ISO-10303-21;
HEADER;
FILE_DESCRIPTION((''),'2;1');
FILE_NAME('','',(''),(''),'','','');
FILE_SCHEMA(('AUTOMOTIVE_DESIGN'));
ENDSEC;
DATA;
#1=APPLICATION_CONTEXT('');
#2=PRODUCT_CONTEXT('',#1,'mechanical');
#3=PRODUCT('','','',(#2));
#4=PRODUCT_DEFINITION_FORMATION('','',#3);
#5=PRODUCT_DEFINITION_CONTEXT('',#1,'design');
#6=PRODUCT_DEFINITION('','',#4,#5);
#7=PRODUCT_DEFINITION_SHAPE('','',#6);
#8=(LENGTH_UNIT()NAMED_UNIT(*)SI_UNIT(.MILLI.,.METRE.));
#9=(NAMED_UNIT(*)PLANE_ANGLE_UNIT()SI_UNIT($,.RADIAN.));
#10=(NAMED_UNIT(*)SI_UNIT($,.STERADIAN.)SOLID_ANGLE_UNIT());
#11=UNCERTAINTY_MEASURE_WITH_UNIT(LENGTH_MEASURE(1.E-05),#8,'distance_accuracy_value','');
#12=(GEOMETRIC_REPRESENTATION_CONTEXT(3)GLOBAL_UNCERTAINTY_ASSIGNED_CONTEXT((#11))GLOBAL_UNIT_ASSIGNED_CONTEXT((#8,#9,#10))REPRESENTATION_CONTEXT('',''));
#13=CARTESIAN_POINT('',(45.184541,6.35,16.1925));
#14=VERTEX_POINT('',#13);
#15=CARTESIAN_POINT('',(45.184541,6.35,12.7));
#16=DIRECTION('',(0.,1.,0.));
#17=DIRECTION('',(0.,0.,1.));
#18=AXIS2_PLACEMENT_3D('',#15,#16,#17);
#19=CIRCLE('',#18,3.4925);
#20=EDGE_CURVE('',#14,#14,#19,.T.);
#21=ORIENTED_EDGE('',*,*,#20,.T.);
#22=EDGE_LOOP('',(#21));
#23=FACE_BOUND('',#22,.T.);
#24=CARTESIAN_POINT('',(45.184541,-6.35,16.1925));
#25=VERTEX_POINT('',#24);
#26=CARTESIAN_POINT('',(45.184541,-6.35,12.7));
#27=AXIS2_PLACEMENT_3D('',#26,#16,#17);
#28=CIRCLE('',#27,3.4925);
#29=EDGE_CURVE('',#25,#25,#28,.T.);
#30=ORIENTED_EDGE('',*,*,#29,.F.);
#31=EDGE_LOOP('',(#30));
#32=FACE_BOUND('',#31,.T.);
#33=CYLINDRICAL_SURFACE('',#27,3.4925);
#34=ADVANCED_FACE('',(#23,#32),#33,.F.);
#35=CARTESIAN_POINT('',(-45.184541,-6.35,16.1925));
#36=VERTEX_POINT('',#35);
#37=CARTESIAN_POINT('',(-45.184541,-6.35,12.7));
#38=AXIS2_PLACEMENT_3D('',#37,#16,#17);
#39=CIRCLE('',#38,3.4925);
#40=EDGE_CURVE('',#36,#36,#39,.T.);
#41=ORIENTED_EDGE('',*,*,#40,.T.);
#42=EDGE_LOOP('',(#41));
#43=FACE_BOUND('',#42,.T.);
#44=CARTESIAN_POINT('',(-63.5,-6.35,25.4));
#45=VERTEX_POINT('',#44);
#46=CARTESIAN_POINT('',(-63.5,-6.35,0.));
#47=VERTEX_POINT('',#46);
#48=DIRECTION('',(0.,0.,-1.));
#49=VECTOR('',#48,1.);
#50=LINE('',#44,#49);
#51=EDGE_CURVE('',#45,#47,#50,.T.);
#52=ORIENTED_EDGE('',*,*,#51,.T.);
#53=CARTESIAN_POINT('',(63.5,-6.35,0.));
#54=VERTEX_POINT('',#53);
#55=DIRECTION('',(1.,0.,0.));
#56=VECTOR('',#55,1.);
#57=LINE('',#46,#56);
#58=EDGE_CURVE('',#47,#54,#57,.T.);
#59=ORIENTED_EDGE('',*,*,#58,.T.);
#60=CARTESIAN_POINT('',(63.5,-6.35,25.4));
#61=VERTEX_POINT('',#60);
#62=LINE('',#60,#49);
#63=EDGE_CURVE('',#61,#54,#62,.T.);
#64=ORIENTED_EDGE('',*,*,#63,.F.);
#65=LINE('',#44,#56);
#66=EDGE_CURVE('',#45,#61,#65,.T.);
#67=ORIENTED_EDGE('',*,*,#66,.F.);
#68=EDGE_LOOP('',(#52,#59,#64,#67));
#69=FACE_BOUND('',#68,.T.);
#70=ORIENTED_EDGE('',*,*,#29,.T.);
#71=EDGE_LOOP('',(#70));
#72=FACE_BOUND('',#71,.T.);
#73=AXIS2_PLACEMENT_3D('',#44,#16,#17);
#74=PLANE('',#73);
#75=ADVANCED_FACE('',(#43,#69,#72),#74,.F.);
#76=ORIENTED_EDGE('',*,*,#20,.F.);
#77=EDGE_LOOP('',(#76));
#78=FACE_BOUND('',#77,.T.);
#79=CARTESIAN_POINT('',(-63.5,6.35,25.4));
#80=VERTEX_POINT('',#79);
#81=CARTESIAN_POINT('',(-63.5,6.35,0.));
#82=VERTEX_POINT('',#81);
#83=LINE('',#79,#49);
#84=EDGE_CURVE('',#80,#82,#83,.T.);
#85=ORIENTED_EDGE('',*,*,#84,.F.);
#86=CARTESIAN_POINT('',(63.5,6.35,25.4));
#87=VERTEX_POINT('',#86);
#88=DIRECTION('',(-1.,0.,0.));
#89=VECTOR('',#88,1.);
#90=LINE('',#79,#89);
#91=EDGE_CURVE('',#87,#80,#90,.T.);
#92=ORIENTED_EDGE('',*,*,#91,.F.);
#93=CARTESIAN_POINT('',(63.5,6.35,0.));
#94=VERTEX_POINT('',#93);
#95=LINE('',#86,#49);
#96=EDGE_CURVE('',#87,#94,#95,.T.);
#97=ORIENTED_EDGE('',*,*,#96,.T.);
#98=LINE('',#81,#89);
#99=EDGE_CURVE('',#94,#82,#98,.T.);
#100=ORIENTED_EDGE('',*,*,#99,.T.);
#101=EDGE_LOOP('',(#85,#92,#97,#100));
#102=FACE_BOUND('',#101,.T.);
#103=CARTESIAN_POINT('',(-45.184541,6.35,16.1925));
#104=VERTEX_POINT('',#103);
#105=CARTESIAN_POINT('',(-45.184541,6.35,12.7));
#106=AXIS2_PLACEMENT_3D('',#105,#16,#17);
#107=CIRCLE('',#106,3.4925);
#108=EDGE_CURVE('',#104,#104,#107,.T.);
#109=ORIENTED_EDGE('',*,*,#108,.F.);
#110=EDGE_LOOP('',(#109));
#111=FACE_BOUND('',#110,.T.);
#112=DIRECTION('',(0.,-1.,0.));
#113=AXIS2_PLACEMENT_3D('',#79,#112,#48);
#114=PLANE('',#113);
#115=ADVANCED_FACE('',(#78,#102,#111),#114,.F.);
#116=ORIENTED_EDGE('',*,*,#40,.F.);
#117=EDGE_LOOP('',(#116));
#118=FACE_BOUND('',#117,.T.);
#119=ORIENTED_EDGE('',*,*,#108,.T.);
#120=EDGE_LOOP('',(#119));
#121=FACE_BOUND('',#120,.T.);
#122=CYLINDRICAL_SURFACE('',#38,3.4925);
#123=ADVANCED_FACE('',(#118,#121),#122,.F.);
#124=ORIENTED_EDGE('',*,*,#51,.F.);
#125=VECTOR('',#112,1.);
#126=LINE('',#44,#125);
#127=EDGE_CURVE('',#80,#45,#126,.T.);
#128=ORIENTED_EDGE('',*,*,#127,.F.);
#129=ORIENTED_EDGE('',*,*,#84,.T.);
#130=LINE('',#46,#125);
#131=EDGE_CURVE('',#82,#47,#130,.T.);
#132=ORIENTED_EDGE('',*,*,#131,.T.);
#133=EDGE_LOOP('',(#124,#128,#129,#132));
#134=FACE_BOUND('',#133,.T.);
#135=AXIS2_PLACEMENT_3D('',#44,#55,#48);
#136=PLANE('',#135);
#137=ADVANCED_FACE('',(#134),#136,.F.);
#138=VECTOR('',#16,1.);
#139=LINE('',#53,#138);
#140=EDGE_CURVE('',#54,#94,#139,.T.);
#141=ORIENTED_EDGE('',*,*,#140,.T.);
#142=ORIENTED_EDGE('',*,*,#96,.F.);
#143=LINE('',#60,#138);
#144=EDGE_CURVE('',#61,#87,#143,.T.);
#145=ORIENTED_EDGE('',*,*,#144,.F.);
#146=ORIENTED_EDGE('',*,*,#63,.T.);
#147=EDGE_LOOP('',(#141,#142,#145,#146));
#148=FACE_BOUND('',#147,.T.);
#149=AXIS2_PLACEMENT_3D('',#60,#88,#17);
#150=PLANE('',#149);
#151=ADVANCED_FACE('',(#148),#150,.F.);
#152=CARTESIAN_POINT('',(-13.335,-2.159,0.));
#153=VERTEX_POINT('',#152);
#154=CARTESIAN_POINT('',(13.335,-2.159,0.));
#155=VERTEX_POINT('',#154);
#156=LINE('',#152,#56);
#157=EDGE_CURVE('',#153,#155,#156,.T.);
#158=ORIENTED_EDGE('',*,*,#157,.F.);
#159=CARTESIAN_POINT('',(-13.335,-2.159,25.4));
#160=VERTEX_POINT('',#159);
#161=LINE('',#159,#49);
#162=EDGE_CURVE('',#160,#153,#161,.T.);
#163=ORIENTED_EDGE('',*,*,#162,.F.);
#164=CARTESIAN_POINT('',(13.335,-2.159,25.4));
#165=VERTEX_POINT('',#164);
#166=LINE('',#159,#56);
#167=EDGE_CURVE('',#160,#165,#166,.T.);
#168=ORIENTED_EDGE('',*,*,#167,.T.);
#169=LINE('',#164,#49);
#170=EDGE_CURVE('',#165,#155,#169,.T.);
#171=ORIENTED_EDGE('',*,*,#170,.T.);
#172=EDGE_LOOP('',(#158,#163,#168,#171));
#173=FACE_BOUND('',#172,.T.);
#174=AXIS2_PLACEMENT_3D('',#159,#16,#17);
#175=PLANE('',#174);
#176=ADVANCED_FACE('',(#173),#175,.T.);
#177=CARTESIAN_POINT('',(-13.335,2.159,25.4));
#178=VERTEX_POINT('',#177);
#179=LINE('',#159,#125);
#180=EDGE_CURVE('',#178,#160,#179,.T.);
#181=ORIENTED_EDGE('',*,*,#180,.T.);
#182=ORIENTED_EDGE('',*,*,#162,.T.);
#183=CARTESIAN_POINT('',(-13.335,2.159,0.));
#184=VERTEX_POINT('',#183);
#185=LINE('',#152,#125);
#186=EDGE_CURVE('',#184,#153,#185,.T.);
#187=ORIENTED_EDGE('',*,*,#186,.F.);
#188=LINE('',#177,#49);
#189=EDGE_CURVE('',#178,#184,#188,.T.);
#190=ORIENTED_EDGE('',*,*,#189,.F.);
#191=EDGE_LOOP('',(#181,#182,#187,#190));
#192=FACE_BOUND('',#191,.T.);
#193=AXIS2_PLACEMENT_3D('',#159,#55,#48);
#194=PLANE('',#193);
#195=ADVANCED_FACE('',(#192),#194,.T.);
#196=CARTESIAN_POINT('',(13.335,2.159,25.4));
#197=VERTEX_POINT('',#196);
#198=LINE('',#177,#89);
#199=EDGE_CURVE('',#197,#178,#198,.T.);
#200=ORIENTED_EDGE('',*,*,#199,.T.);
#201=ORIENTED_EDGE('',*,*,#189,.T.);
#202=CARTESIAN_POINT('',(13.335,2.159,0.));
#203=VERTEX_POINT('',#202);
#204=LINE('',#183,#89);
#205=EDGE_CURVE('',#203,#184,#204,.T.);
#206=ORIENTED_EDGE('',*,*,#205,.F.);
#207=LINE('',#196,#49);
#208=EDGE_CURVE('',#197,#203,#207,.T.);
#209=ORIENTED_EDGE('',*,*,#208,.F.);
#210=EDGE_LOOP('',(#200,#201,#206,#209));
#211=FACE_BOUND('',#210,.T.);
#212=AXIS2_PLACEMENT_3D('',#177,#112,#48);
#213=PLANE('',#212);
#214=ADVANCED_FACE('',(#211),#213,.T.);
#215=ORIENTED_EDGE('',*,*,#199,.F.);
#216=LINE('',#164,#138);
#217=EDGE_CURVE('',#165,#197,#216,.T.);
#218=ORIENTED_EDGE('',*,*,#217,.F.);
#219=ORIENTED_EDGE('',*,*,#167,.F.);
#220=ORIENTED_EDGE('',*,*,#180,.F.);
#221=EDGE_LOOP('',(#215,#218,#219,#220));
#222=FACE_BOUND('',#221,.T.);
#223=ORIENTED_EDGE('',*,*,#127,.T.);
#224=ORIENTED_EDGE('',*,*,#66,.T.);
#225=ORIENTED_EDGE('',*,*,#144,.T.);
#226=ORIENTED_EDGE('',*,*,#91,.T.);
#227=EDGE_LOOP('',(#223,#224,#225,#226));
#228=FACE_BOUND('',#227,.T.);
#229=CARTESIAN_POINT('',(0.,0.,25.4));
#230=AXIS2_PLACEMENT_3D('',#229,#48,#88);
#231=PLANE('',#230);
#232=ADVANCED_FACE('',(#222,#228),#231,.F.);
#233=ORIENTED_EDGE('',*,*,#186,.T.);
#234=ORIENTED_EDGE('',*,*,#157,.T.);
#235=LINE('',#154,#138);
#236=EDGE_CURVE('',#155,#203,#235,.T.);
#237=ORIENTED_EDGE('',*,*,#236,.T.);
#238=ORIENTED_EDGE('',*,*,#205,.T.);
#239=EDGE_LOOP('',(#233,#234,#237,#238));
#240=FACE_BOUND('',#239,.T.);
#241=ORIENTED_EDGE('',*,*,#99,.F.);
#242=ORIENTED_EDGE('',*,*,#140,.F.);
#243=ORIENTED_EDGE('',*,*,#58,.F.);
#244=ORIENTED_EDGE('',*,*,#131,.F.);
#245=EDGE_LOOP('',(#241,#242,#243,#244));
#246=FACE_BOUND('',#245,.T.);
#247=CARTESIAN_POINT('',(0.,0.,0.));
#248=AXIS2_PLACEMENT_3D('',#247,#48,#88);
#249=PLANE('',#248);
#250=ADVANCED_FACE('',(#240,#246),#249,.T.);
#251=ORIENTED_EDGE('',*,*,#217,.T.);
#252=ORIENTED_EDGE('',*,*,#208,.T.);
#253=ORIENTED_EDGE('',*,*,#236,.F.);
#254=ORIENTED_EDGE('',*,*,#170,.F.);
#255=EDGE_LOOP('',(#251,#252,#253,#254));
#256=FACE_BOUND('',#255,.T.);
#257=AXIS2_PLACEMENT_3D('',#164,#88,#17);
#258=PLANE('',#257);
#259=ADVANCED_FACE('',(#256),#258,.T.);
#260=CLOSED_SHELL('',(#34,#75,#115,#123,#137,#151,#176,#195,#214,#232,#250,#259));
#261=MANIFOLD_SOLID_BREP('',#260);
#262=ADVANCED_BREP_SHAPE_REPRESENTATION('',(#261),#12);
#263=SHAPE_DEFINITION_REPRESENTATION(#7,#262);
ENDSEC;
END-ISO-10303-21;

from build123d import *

# Parameters (mm, degrees)
SKETCH2_W           = 127
SKETCH2_H           = 12.7
SKETCH2_W_2         = 26.67
SKETCH2_H_2         = 4.318
BOSS_EXTRUDE1_DEPTH = 25.4
SKETCH3_R           = 3.4925
CUT_EXTRUDE1_DEPTH  = 70.560764803


with BuildPart() as part:
    # Sketch2 → Boss-Extrude1 (new body)
    with BuildSketch(Plane.XY):
        Rectangle(SKETCH2_W, SKETCH2_H)
        Rectangle(SKETCH2_W_2, SKETCH2_H_2, mode=Mode.SUBTRACT)
    extrude(amount=BOSS_EXTRUDE1_DEPTH)

    # Sketch3 → Cut-Extrude1 (cut, through all)
    with BuildSketch(Plane(origin=(0, 6.35, 0), x_dir=(1, 0, 0), z_dir=(0, 1, 0))):
        with Locations(Location((45.184541112, -12.7, 0), (0, 0, 270))):
            Circle(SKETCH3_R)
        with Locations(Location((-45.184541112, -12.7, 0), (0, 0, 270))):
            Circle(SKETCH3_R)
    extrude(amount=-CUT_EXTRUDE1_DEPTH, mode=Mode.SUBTRACT)


solid = part.part
